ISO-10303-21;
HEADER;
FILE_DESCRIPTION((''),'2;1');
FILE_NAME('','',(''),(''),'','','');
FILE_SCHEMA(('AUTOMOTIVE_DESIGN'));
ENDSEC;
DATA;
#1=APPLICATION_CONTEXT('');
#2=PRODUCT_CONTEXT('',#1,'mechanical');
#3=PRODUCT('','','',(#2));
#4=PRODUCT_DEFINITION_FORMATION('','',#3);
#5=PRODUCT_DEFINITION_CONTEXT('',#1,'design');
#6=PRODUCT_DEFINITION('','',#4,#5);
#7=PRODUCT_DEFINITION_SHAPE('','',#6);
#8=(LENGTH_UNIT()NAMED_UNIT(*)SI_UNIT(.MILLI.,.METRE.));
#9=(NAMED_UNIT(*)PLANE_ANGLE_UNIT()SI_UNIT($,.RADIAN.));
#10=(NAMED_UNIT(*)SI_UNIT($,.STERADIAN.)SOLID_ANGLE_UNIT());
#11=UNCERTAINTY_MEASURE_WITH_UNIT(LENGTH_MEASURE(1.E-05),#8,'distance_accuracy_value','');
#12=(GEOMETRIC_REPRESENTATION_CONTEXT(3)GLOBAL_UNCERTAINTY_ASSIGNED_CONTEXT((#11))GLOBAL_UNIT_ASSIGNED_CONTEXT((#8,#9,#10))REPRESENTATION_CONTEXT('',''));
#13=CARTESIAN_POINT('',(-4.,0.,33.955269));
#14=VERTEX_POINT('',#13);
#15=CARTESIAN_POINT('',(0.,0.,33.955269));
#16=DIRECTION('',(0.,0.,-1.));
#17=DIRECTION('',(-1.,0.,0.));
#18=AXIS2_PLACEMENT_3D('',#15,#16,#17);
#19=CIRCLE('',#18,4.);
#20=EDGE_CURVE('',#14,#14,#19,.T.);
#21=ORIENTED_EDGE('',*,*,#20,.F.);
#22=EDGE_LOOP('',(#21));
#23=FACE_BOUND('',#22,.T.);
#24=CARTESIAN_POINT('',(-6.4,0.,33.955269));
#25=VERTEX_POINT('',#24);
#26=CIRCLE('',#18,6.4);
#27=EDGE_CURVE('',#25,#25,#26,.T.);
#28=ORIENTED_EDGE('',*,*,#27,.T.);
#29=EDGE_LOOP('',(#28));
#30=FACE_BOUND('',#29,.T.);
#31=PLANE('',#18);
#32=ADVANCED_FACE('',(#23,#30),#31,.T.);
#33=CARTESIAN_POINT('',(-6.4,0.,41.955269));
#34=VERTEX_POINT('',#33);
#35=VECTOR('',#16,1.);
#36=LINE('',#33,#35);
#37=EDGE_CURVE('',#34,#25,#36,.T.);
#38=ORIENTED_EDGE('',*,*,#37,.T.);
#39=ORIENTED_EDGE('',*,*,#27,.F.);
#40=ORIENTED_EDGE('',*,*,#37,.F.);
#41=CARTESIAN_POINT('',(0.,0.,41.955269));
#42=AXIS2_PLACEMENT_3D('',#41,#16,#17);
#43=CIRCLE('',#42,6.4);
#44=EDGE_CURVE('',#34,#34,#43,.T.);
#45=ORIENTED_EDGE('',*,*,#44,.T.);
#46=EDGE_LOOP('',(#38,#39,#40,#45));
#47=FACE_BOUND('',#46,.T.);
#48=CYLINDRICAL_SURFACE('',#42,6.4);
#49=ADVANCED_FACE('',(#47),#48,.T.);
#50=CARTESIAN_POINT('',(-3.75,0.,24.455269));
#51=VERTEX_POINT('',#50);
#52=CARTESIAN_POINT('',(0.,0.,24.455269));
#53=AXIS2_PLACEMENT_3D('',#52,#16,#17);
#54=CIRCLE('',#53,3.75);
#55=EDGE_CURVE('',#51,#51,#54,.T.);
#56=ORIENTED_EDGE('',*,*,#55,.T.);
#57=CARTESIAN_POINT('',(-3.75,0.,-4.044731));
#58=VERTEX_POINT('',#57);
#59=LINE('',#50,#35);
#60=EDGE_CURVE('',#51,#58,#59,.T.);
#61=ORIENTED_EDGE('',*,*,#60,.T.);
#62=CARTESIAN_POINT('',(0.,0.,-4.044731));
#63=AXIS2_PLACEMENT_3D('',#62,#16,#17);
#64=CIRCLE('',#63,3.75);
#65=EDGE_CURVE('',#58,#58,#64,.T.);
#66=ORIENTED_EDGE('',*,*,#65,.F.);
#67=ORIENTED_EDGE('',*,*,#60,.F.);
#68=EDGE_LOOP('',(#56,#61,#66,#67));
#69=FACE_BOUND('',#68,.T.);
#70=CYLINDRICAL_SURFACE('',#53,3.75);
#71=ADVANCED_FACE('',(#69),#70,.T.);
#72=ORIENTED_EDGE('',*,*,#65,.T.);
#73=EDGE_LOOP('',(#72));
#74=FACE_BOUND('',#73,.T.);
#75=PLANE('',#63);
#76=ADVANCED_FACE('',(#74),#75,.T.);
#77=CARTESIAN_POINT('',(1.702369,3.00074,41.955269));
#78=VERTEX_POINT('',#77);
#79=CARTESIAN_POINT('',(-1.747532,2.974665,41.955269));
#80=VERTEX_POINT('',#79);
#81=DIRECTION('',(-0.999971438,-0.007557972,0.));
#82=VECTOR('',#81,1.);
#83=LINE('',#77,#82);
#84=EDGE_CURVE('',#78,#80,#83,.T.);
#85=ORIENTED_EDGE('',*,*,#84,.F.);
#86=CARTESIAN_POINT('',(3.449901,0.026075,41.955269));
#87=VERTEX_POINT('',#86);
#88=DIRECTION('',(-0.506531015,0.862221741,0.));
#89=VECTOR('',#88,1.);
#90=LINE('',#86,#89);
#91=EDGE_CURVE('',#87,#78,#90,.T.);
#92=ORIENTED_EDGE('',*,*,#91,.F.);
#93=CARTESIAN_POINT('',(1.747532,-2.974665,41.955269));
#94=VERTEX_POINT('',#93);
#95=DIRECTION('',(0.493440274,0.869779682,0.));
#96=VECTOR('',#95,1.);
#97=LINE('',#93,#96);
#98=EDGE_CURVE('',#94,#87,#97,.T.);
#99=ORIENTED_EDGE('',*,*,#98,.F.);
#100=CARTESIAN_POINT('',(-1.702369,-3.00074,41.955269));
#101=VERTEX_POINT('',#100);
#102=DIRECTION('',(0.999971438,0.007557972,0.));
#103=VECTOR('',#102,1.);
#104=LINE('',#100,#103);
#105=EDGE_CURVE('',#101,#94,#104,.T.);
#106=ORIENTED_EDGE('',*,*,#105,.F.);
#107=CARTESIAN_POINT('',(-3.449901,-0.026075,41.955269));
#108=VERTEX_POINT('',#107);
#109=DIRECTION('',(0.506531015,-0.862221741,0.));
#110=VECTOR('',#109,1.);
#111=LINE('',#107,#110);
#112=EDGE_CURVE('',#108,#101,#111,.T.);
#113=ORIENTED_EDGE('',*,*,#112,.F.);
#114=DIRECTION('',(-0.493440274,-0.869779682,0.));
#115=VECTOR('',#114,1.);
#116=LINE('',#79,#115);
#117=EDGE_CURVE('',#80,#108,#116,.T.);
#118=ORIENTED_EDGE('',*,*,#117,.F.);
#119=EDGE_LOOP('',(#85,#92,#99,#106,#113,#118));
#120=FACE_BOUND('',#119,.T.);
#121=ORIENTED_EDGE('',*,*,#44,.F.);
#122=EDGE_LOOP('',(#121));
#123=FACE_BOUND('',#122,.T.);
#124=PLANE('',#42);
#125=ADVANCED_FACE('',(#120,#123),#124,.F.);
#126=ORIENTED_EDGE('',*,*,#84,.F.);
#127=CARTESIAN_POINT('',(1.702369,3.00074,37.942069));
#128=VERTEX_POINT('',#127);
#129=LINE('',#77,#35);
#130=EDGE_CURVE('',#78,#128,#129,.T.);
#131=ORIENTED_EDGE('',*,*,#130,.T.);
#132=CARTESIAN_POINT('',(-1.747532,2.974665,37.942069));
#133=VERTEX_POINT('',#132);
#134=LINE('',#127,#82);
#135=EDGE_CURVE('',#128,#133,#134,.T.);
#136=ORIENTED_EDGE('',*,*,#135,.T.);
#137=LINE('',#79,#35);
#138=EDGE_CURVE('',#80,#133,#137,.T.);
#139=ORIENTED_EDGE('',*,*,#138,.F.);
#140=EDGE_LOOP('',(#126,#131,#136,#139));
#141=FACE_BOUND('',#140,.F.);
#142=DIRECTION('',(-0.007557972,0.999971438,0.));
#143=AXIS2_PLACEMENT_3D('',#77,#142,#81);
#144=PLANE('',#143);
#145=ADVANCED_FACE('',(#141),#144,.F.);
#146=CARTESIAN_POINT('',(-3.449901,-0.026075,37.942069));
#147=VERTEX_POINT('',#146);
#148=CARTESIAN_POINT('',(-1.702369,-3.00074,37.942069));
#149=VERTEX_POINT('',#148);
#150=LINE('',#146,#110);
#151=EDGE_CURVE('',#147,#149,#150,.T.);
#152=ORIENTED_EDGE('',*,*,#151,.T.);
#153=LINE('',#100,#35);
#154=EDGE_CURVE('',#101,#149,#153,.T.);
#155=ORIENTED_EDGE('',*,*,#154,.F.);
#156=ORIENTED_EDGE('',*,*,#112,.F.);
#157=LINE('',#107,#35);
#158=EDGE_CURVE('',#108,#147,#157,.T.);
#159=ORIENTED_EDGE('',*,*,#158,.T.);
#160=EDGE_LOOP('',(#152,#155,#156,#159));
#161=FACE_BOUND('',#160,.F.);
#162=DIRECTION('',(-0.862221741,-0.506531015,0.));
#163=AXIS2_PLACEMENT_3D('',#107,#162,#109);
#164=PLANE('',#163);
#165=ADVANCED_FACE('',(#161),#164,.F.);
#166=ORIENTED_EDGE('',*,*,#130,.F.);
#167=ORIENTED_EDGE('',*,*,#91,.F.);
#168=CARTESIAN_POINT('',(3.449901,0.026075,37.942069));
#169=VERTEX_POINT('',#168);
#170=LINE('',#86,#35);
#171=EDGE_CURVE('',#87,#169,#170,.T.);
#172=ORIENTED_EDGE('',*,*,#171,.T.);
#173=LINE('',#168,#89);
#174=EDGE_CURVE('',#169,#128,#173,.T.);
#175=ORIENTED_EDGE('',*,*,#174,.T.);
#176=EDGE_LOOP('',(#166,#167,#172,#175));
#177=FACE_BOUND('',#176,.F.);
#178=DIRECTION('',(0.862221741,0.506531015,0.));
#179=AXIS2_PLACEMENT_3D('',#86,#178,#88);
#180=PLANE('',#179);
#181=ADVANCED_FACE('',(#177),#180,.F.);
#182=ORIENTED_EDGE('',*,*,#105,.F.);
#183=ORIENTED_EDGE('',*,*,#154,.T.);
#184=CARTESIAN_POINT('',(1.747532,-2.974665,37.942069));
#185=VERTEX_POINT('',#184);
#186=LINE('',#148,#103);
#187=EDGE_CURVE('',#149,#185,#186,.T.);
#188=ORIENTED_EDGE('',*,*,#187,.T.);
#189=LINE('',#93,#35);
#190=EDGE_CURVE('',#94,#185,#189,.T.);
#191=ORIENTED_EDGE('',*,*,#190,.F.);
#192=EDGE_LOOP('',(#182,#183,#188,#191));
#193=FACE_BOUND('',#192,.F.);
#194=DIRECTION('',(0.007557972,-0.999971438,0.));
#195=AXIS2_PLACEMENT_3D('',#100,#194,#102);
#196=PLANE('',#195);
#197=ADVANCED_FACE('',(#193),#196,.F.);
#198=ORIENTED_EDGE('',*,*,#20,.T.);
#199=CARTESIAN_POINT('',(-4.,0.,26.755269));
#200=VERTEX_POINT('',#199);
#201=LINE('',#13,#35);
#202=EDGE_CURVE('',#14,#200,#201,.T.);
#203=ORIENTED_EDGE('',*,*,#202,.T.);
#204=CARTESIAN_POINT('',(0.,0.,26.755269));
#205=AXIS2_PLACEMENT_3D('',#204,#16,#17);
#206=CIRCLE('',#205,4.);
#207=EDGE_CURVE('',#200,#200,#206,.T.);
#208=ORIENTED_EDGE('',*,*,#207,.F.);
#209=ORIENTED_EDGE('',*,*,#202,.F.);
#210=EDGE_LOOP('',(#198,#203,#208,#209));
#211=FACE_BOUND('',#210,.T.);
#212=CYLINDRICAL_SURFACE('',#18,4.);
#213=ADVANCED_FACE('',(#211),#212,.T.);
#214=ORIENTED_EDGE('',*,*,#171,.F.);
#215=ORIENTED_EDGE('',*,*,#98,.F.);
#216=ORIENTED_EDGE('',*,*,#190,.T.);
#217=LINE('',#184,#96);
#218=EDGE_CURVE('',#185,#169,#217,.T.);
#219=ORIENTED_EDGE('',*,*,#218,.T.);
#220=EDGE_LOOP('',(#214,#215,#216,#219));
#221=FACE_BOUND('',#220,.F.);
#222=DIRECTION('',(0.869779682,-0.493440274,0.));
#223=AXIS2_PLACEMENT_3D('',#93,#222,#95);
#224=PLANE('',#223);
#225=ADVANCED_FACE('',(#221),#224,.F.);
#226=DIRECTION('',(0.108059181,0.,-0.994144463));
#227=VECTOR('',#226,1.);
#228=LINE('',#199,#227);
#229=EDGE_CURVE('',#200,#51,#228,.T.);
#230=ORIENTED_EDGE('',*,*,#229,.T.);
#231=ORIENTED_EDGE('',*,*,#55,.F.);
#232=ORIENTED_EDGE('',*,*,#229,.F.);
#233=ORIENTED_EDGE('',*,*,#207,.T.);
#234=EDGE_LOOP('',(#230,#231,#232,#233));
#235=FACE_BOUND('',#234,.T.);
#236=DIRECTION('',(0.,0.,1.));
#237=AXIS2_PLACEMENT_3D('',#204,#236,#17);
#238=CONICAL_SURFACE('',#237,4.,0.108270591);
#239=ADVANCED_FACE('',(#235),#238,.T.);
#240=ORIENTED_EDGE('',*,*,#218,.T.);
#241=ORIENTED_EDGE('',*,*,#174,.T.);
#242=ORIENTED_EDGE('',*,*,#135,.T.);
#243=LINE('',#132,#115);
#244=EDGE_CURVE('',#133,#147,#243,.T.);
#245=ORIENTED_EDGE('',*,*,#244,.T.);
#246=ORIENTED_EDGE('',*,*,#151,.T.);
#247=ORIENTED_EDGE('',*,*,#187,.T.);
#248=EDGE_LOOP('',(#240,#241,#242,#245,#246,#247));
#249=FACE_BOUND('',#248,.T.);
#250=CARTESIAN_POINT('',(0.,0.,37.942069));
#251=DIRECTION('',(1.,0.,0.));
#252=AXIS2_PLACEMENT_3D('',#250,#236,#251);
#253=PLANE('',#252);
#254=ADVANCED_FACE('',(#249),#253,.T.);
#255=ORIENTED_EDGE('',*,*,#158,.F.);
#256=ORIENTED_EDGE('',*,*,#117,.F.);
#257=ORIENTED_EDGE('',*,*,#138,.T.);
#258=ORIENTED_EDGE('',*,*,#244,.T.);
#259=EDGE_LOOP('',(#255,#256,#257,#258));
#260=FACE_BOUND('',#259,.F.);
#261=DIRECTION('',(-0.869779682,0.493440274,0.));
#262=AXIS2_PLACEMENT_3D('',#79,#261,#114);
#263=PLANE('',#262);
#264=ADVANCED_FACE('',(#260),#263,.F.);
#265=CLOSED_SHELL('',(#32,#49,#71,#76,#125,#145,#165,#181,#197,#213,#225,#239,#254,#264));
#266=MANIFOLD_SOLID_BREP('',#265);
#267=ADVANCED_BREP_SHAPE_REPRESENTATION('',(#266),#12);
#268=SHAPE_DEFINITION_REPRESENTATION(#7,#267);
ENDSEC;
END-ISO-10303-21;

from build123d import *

# Parameters (mm, degrees)
F3_DEPTH = 4.0132


with BuildPart() as f1:
    # F0 (on Front) → F1 (revolve)
    with BuildSketch(Plane.XZ):
        Polygon((-3.75, 24.455269), (-3.75, -4.044731), (0, -4.044731), (0, 41.955269), (-6.4, 41.955269), (-6.4, 33.955269), (-4, 33.955269), (-4, 26.755269), align=None)
    revolve(axis=Axis((0, 0, 18.955269), (0, 0, -1)))

    # F2 (on face) → F3 (cut)
    with BuildSketch(Plane.XY.offset(41.955269)):
        Polygon((-1.747532, 2.974665), (-3.449901, -0.026075), (-1.702369, -3.00074), (1.747532, -2.974665), (3.449901, 0.026075), (1.702369, 3.00074), align=None)
    extrude(amount=-F3_DEPTH, mode=Mode.SUBTRACT)


solid = f1.part
